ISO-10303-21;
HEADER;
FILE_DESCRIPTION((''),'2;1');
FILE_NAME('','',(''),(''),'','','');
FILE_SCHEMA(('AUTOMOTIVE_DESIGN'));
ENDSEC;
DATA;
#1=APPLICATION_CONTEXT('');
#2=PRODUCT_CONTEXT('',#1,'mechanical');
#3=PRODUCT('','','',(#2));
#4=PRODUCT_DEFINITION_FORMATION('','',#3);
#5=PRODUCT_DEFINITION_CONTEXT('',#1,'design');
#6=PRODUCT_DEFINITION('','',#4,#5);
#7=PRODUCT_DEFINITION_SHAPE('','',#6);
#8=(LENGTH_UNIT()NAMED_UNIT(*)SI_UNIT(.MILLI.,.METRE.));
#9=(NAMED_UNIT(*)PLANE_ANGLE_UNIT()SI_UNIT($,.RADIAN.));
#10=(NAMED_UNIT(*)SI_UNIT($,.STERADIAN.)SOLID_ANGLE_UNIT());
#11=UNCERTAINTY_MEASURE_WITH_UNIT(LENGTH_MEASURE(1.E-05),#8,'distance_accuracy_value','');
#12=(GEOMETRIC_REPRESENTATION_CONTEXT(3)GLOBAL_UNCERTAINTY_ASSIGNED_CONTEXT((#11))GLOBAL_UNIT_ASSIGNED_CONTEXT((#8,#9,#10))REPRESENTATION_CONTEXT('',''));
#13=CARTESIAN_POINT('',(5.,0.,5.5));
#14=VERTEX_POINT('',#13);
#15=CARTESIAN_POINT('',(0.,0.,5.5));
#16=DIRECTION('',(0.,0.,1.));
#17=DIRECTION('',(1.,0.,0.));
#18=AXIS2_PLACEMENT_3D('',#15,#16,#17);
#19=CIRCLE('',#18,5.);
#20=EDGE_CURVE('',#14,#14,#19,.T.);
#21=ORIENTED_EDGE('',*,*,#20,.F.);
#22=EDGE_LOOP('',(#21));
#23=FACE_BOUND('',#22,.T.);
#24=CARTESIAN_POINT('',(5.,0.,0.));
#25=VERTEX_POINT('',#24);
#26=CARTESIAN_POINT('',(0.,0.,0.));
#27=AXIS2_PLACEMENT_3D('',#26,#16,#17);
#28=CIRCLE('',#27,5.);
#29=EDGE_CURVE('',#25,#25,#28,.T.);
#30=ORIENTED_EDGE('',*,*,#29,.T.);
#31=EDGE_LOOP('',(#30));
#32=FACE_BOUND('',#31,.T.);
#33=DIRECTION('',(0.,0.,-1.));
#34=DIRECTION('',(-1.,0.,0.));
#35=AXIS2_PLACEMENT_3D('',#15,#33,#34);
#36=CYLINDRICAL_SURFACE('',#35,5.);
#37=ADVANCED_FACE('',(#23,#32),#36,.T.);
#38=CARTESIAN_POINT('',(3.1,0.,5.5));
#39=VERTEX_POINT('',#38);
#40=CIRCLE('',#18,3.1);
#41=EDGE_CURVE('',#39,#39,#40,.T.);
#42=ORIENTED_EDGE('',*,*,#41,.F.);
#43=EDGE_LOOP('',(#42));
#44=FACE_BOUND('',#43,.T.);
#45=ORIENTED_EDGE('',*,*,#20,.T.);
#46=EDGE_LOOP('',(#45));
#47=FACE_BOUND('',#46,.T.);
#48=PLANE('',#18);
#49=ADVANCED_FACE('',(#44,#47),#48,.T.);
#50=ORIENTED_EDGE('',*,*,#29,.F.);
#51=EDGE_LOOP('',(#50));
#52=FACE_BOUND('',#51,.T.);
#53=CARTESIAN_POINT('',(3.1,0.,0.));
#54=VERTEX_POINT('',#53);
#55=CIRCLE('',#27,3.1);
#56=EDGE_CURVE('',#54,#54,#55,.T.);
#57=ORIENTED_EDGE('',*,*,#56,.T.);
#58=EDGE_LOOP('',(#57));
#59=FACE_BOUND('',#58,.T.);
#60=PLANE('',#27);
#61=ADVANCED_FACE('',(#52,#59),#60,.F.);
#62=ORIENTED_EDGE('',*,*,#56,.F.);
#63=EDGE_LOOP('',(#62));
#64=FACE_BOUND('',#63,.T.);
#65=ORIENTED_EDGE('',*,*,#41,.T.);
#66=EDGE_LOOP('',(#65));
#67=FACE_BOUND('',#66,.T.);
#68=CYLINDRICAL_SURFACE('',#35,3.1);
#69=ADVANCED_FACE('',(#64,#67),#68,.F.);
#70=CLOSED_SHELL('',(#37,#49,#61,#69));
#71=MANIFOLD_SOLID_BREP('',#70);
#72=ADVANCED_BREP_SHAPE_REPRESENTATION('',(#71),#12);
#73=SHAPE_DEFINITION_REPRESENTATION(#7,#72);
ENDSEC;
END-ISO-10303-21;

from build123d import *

# Parameters (mm, degrees)
SKETCH_1_R      = 5
SKETCH_1_R_2    = 3.1
EXTRUDE_1_DEPTH = 5.5


with BuildPart() as part:
    # 草图1 → 凸台-拉伸1 (new body)
    with BuildSketch(Plane.XY):
        Circle(SKETCH_1_R)
        Circle(SKETCH_1_R_2, mode=Mode.SUBTRACT)
    extrude(amount=EXTRUDE_1_DEPTH)


solid = part.part
